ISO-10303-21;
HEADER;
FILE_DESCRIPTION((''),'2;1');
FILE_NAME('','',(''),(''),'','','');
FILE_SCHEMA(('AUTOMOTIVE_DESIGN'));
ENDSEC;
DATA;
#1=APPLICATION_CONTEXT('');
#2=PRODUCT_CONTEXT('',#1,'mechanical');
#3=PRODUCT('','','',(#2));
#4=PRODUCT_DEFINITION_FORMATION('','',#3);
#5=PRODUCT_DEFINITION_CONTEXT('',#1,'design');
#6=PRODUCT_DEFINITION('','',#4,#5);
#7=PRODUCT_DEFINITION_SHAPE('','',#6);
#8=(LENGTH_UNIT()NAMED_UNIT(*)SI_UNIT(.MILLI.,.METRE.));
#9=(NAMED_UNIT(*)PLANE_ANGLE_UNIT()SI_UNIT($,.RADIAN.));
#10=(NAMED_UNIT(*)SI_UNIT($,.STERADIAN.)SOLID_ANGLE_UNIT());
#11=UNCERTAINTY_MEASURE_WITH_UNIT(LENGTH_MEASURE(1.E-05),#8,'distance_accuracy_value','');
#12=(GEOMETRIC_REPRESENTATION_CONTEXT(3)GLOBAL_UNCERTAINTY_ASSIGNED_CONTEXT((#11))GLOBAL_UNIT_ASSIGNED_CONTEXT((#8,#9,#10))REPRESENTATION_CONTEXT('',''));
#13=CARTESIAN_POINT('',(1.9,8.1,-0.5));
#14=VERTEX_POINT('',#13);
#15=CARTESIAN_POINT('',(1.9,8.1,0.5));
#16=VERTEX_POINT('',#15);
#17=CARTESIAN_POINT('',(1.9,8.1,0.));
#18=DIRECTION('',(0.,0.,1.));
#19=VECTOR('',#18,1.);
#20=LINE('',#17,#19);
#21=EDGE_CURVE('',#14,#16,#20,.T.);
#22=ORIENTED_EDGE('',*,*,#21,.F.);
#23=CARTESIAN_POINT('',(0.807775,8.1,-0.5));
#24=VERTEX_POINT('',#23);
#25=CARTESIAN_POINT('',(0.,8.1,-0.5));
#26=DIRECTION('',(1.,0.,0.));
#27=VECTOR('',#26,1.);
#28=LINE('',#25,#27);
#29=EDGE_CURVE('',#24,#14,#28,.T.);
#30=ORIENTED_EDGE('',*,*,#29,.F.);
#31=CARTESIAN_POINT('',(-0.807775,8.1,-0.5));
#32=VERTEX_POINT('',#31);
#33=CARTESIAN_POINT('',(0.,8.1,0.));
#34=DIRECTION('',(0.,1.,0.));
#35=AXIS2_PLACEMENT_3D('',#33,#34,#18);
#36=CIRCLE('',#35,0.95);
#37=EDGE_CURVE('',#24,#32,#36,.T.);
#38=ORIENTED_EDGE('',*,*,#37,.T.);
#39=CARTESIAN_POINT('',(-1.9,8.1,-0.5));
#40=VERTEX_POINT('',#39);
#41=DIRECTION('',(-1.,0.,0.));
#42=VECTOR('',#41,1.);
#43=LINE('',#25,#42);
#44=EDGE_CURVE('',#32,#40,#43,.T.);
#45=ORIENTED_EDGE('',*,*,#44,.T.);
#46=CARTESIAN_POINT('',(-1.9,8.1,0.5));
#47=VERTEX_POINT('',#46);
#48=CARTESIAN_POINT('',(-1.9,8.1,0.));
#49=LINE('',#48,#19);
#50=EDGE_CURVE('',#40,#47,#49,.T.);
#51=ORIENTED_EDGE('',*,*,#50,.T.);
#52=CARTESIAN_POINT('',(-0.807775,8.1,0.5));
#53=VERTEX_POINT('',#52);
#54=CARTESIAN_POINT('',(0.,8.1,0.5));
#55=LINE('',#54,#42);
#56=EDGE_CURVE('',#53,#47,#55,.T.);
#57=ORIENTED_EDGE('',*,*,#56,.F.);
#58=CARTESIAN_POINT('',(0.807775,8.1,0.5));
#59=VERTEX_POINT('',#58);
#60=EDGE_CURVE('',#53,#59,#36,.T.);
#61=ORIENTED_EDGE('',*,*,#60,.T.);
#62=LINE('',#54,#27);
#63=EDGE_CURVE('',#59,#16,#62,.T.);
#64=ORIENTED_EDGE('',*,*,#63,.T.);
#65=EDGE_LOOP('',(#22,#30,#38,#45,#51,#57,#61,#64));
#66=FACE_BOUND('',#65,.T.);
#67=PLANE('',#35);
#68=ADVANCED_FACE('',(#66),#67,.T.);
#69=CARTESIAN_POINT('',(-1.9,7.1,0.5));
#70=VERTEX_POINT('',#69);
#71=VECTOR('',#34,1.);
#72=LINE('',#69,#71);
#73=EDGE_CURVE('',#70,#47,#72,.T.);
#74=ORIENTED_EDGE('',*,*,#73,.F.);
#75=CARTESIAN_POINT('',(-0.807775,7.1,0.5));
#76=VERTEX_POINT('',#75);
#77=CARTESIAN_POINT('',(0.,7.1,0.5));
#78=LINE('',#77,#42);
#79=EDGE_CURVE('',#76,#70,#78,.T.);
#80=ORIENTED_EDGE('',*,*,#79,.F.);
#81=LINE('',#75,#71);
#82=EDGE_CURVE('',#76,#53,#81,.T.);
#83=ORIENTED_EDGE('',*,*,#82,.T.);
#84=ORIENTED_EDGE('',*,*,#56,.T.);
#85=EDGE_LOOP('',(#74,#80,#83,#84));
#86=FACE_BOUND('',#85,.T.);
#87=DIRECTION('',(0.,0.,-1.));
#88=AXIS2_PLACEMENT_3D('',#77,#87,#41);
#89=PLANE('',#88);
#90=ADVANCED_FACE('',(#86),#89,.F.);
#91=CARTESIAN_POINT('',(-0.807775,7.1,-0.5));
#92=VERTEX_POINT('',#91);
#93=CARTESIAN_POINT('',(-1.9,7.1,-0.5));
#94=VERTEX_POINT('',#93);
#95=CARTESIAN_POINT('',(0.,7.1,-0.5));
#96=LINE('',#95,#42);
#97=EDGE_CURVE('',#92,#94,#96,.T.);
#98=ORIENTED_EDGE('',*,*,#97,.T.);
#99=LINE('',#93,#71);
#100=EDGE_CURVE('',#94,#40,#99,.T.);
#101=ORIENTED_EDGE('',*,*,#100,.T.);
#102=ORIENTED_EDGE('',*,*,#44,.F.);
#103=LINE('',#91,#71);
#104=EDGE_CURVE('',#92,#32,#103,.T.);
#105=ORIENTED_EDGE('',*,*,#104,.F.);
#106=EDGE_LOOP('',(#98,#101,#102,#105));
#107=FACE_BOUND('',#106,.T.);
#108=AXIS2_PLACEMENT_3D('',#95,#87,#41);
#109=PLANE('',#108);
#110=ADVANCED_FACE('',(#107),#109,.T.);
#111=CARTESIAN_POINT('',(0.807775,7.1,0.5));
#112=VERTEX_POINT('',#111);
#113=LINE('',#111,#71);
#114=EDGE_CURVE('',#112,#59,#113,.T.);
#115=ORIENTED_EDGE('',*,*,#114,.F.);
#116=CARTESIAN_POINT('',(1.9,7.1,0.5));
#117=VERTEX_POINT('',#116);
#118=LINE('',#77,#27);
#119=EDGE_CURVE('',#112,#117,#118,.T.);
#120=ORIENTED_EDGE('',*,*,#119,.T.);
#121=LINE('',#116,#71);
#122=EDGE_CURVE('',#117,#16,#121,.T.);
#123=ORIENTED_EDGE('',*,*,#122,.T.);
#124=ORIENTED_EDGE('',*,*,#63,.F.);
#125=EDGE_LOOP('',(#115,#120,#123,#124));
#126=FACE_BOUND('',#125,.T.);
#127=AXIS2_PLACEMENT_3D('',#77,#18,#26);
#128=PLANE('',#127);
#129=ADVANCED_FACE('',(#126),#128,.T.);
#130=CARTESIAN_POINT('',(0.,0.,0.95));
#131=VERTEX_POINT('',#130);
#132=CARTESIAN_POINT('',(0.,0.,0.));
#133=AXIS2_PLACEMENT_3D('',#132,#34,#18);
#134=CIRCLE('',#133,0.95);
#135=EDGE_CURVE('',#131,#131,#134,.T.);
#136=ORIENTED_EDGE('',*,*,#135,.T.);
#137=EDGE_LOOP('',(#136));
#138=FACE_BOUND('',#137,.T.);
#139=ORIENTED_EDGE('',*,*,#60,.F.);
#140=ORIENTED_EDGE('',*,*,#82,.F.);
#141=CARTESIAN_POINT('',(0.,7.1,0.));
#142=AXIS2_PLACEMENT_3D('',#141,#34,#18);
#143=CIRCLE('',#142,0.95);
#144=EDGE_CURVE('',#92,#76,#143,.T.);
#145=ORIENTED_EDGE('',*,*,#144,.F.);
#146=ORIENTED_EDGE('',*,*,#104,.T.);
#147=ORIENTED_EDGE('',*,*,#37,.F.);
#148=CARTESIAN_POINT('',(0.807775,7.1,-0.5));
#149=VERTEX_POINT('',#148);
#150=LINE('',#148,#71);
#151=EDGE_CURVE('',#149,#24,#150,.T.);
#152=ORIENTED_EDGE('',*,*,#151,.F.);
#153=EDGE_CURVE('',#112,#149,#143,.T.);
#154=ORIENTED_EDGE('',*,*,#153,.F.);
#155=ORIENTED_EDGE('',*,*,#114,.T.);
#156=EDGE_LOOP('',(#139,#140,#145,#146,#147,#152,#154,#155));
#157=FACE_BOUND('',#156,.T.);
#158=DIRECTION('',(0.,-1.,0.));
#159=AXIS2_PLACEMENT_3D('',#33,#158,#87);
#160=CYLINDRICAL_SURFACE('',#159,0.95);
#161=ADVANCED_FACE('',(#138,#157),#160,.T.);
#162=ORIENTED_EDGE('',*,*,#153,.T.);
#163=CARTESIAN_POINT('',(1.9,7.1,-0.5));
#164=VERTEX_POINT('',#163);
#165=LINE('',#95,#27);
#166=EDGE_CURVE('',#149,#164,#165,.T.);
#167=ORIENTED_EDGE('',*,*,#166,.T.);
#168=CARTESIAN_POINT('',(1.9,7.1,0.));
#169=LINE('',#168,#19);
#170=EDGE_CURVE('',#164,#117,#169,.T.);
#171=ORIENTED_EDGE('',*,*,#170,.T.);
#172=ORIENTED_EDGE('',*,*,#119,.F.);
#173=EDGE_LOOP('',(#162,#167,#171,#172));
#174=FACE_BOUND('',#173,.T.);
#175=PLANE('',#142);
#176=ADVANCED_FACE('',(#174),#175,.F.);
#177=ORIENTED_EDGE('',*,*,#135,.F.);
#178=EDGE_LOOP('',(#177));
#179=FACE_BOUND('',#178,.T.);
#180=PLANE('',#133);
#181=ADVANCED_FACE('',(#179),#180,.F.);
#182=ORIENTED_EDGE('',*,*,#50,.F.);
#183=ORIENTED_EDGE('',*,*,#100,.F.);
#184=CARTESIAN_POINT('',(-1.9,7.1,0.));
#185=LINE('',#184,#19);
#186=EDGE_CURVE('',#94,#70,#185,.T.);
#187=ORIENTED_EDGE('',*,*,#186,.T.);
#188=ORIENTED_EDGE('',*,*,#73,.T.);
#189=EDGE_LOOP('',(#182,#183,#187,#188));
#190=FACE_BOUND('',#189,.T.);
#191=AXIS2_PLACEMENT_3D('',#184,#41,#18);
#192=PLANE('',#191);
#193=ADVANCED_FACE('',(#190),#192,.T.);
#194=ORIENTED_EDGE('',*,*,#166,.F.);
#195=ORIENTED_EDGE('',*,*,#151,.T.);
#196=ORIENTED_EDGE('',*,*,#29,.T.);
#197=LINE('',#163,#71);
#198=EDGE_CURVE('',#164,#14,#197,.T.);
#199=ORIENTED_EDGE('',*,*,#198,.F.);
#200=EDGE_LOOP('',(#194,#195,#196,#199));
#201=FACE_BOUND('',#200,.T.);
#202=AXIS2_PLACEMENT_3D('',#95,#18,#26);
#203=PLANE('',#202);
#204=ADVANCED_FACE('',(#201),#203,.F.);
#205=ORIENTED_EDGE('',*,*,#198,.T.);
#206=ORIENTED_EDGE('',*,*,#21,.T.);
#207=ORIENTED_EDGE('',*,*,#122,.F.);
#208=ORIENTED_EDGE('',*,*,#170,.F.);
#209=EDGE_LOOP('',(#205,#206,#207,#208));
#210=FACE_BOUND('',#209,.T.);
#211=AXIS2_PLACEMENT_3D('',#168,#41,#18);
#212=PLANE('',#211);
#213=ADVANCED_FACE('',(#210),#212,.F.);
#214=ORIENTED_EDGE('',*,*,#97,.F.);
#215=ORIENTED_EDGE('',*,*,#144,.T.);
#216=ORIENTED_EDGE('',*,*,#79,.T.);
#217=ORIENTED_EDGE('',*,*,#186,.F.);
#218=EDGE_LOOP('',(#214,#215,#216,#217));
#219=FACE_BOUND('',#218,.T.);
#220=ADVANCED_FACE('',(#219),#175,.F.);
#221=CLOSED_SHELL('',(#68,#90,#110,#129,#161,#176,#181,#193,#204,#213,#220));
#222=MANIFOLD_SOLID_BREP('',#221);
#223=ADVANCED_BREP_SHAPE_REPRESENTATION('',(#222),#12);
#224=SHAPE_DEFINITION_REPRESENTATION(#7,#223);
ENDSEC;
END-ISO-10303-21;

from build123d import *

# Parameters (mm, degrees)
SKETCH1_R  = 0.95
BODY_DEPTH = 8.1
LOCK_DEPTH = 1


with BuildPart() as part:
    # Sketch1 → Body (new body)
    with BuildSketch(Plane(origin=(0, 0, 0), x_dir=(1, 0, 0), z_dir=(0, 1, 0))):
        Circle(SKETCH1_R)
    extrude(amount=BODY_DEPTH)

    # Sketch2 → Lock (add)
    with BuildSketch(Plane(origin=(0, 8.1, 0), x_dir=(1, 0, 0), z_dir=(0, 1, 0))):
        with BuildLine():
            ThreePointArc((-0.807774721, -0.5), (-0.95, 0), (-0.807774721, 0.5))
            Line((-0.807774721, 0.5), (-1.9, 0.5))
            Line((-1.9, 0.5), (-1.9, -0.5))
            Line((-1.9, -0.5), (-0.807774721, -0.5))
        make_face()
        with BuildLine():
            Line((1.9, 0.5), (0.807774721, 0.5))
            ThreePointArc((0.807774721, 0.5), (0.91375215, 0.259917309), (0.95, 0))
            ThreePointArc((0.95, 0), (0.91375215, -0.259917309), (0.807774721, -0.5))
            Line((0.807774721, -0.5), (1.9, -0.5))
            Line((1.9, -0.5), (1.9, 0.5))
        make_face()
    extrude(amount=-LOCK_DEPTH)


solid = part.part
